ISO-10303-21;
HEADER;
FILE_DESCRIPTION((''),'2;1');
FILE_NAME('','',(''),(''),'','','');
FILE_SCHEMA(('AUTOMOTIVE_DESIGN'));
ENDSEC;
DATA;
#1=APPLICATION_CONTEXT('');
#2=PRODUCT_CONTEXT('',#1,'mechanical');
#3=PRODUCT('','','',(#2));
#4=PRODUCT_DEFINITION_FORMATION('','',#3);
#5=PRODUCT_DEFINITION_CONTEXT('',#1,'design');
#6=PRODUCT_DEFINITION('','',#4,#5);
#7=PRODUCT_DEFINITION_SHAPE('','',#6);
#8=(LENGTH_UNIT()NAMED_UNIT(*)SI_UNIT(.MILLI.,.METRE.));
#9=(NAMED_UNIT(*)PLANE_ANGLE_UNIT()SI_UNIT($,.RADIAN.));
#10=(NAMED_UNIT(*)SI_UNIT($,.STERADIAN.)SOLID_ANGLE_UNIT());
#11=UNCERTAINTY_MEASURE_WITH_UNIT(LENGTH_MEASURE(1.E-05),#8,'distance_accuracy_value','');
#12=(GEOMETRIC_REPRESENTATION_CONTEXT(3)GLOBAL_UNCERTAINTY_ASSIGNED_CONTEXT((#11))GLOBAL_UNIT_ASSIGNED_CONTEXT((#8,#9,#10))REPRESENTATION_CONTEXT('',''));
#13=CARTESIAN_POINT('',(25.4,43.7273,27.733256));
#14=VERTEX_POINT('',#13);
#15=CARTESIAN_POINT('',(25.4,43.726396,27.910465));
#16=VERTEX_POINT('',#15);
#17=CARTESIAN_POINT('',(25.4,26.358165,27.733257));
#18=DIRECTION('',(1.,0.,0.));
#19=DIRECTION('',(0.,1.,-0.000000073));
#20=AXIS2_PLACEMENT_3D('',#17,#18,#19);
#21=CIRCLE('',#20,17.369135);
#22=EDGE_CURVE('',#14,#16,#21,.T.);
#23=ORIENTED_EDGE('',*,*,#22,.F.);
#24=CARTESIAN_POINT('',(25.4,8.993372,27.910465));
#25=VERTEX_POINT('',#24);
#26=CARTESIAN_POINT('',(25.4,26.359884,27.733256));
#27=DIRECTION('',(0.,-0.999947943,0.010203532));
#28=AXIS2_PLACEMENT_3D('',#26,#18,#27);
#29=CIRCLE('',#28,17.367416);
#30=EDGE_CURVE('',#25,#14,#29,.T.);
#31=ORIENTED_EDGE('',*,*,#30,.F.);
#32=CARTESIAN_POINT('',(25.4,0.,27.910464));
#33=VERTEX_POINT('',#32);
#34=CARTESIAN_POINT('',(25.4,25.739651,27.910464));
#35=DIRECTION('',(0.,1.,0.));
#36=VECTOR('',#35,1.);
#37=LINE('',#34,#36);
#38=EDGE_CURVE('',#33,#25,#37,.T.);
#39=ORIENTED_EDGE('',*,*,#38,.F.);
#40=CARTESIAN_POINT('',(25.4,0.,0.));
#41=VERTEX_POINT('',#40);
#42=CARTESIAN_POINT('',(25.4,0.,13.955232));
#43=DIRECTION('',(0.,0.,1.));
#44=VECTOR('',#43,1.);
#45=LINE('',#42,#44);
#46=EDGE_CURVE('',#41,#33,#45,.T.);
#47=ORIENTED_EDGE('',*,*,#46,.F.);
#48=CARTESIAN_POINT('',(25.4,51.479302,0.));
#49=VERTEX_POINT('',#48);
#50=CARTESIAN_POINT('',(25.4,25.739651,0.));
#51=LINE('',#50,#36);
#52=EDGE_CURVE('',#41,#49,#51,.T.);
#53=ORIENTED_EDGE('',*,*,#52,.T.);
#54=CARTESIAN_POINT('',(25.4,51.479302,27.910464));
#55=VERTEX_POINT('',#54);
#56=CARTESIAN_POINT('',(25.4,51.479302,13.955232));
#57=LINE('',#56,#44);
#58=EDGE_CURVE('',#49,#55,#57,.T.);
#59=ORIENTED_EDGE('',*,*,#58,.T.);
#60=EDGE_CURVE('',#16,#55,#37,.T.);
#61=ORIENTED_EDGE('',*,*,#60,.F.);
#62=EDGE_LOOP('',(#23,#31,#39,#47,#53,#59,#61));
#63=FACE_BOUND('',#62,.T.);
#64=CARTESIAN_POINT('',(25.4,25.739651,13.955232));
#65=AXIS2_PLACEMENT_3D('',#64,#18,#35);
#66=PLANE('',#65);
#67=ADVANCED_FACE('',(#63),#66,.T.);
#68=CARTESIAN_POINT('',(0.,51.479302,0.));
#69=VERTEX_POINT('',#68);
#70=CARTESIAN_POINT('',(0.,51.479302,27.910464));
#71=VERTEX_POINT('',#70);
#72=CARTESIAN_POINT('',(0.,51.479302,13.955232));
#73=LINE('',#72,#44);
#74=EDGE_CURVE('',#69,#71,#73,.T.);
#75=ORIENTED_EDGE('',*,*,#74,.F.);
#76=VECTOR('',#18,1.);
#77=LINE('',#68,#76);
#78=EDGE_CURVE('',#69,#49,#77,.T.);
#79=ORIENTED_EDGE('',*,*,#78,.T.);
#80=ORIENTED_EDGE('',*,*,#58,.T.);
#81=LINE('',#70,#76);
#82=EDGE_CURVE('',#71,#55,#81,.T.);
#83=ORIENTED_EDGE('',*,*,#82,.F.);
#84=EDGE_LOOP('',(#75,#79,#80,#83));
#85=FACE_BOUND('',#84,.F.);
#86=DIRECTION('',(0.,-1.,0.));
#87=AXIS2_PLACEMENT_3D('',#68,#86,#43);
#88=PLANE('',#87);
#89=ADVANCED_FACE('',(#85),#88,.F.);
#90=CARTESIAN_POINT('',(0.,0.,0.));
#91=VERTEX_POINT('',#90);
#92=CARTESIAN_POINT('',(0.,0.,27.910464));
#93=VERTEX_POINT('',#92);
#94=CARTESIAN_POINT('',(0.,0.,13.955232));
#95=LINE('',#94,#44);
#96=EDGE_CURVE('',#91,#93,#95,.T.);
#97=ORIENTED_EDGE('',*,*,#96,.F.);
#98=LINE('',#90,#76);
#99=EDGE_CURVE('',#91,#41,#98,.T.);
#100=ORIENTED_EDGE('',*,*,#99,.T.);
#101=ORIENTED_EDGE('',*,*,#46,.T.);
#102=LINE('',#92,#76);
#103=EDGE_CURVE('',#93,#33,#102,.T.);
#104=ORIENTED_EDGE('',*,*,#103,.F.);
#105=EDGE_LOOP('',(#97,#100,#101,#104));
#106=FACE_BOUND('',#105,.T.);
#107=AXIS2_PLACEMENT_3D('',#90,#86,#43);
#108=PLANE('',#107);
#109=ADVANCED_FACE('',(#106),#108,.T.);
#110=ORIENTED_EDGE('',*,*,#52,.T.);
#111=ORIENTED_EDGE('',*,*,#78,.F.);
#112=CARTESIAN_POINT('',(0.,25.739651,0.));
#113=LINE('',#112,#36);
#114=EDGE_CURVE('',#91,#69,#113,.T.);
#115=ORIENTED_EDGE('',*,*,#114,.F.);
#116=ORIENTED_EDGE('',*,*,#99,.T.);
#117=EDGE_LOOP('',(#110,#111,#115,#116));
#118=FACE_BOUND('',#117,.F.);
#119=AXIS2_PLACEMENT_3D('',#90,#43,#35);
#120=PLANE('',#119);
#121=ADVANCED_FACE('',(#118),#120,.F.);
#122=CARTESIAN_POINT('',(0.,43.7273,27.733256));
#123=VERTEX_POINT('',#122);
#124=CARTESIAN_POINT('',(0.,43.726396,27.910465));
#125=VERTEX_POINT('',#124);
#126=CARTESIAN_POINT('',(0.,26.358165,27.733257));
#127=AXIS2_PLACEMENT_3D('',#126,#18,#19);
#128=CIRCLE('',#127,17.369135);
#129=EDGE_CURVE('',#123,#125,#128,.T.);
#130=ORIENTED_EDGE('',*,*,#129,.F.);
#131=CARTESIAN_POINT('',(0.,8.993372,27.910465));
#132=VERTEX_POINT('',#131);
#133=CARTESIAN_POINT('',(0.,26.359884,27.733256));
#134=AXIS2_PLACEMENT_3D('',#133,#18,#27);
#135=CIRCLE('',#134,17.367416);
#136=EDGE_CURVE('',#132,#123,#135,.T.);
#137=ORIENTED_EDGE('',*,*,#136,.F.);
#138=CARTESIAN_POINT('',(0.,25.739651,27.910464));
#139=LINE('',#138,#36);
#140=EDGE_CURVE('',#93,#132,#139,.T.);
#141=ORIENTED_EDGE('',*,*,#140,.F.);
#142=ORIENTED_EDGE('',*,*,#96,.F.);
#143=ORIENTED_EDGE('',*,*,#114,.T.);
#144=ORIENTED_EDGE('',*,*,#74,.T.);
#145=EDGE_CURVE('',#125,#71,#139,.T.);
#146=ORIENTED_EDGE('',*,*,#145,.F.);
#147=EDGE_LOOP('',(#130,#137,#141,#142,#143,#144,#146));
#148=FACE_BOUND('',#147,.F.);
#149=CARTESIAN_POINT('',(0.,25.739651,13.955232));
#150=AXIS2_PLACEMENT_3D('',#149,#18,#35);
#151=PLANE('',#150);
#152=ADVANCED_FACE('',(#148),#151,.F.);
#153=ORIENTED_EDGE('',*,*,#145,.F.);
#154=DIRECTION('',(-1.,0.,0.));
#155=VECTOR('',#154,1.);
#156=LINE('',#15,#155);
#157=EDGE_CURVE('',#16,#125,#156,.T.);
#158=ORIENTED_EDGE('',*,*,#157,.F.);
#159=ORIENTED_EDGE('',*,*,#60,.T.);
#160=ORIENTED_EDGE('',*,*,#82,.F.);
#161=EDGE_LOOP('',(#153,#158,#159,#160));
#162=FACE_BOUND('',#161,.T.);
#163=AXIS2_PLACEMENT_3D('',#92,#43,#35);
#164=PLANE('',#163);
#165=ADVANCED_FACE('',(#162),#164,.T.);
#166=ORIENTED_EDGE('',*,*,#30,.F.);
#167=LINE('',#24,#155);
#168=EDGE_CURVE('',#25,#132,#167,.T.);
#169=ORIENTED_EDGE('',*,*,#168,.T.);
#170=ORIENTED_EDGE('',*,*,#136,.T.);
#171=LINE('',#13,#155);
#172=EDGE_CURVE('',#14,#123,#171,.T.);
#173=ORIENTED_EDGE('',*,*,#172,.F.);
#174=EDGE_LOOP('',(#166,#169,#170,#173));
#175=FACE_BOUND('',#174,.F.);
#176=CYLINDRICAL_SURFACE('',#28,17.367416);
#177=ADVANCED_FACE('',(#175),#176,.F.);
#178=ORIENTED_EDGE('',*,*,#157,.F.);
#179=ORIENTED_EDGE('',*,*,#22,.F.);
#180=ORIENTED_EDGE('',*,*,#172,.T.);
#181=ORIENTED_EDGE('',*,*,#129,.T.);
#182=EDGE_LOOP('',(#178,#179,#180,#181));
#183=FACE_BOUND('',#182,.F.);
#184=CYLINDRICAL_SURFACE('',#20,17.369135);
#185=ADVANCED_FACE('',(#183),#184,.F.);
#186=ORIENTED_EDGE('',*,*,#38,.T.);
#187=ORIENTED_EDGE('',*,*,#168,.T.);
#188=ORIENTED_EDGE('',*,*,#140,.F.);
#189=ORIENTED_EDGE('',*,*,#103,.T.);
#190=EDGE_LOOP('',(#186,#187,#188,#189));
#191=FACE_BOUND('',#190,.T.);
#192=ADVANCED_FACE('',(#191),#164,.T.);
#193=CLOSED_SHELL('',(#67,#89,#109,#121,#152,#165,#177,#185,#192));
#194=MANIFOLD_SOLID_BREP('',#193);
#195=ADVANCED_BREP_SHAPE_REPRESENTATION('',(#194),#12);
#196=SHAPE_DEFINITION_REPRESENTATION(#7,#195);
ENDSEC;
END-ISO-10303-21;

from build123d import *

# Parameters (mm, degrees)
F0_W     = 51.479302
F0_H     = 27.910465
F1_DEPTH = 25.4
F3_DEPTH = 25.4


with BuildPart() as f1:
    # F0 (on Right) → F1 (new body)
    with BuildSketch(Plane.YZ):
        with Locations((25.739651, 13.955232)):
            Rectangle(F0_W, F0_H)
    extrude(amount=F1_DEPTH)

    # F2 (on face) → F3 (cut)
    with BuildSketch(Plane.YZ.offset(25.4)):
        with BuildLine():
            ThreePointArc((8.993372, 27.910465), (26.271278, 10.366066), (43.7273, 27.733256))
            ThreePointArc((43.7273, 27.733256), (43.727074, 27.821862), (43.726396, 27.910465))
            Line((43.726396, 27.910465), (8.993372, 27.910465))
        make_face()
        with BuildLine():
            Line((8.993372, 27.910465), (43.726396, 27.910465))
            ThreePointArc((43.726396, 27.910465), (26.359884, 45.100672), (8.993372, 27.910465))
        make_face()
    extrude(amount=-F3_DEPTH, mode=Mode.SUBTRACT)


solid = f1.part
